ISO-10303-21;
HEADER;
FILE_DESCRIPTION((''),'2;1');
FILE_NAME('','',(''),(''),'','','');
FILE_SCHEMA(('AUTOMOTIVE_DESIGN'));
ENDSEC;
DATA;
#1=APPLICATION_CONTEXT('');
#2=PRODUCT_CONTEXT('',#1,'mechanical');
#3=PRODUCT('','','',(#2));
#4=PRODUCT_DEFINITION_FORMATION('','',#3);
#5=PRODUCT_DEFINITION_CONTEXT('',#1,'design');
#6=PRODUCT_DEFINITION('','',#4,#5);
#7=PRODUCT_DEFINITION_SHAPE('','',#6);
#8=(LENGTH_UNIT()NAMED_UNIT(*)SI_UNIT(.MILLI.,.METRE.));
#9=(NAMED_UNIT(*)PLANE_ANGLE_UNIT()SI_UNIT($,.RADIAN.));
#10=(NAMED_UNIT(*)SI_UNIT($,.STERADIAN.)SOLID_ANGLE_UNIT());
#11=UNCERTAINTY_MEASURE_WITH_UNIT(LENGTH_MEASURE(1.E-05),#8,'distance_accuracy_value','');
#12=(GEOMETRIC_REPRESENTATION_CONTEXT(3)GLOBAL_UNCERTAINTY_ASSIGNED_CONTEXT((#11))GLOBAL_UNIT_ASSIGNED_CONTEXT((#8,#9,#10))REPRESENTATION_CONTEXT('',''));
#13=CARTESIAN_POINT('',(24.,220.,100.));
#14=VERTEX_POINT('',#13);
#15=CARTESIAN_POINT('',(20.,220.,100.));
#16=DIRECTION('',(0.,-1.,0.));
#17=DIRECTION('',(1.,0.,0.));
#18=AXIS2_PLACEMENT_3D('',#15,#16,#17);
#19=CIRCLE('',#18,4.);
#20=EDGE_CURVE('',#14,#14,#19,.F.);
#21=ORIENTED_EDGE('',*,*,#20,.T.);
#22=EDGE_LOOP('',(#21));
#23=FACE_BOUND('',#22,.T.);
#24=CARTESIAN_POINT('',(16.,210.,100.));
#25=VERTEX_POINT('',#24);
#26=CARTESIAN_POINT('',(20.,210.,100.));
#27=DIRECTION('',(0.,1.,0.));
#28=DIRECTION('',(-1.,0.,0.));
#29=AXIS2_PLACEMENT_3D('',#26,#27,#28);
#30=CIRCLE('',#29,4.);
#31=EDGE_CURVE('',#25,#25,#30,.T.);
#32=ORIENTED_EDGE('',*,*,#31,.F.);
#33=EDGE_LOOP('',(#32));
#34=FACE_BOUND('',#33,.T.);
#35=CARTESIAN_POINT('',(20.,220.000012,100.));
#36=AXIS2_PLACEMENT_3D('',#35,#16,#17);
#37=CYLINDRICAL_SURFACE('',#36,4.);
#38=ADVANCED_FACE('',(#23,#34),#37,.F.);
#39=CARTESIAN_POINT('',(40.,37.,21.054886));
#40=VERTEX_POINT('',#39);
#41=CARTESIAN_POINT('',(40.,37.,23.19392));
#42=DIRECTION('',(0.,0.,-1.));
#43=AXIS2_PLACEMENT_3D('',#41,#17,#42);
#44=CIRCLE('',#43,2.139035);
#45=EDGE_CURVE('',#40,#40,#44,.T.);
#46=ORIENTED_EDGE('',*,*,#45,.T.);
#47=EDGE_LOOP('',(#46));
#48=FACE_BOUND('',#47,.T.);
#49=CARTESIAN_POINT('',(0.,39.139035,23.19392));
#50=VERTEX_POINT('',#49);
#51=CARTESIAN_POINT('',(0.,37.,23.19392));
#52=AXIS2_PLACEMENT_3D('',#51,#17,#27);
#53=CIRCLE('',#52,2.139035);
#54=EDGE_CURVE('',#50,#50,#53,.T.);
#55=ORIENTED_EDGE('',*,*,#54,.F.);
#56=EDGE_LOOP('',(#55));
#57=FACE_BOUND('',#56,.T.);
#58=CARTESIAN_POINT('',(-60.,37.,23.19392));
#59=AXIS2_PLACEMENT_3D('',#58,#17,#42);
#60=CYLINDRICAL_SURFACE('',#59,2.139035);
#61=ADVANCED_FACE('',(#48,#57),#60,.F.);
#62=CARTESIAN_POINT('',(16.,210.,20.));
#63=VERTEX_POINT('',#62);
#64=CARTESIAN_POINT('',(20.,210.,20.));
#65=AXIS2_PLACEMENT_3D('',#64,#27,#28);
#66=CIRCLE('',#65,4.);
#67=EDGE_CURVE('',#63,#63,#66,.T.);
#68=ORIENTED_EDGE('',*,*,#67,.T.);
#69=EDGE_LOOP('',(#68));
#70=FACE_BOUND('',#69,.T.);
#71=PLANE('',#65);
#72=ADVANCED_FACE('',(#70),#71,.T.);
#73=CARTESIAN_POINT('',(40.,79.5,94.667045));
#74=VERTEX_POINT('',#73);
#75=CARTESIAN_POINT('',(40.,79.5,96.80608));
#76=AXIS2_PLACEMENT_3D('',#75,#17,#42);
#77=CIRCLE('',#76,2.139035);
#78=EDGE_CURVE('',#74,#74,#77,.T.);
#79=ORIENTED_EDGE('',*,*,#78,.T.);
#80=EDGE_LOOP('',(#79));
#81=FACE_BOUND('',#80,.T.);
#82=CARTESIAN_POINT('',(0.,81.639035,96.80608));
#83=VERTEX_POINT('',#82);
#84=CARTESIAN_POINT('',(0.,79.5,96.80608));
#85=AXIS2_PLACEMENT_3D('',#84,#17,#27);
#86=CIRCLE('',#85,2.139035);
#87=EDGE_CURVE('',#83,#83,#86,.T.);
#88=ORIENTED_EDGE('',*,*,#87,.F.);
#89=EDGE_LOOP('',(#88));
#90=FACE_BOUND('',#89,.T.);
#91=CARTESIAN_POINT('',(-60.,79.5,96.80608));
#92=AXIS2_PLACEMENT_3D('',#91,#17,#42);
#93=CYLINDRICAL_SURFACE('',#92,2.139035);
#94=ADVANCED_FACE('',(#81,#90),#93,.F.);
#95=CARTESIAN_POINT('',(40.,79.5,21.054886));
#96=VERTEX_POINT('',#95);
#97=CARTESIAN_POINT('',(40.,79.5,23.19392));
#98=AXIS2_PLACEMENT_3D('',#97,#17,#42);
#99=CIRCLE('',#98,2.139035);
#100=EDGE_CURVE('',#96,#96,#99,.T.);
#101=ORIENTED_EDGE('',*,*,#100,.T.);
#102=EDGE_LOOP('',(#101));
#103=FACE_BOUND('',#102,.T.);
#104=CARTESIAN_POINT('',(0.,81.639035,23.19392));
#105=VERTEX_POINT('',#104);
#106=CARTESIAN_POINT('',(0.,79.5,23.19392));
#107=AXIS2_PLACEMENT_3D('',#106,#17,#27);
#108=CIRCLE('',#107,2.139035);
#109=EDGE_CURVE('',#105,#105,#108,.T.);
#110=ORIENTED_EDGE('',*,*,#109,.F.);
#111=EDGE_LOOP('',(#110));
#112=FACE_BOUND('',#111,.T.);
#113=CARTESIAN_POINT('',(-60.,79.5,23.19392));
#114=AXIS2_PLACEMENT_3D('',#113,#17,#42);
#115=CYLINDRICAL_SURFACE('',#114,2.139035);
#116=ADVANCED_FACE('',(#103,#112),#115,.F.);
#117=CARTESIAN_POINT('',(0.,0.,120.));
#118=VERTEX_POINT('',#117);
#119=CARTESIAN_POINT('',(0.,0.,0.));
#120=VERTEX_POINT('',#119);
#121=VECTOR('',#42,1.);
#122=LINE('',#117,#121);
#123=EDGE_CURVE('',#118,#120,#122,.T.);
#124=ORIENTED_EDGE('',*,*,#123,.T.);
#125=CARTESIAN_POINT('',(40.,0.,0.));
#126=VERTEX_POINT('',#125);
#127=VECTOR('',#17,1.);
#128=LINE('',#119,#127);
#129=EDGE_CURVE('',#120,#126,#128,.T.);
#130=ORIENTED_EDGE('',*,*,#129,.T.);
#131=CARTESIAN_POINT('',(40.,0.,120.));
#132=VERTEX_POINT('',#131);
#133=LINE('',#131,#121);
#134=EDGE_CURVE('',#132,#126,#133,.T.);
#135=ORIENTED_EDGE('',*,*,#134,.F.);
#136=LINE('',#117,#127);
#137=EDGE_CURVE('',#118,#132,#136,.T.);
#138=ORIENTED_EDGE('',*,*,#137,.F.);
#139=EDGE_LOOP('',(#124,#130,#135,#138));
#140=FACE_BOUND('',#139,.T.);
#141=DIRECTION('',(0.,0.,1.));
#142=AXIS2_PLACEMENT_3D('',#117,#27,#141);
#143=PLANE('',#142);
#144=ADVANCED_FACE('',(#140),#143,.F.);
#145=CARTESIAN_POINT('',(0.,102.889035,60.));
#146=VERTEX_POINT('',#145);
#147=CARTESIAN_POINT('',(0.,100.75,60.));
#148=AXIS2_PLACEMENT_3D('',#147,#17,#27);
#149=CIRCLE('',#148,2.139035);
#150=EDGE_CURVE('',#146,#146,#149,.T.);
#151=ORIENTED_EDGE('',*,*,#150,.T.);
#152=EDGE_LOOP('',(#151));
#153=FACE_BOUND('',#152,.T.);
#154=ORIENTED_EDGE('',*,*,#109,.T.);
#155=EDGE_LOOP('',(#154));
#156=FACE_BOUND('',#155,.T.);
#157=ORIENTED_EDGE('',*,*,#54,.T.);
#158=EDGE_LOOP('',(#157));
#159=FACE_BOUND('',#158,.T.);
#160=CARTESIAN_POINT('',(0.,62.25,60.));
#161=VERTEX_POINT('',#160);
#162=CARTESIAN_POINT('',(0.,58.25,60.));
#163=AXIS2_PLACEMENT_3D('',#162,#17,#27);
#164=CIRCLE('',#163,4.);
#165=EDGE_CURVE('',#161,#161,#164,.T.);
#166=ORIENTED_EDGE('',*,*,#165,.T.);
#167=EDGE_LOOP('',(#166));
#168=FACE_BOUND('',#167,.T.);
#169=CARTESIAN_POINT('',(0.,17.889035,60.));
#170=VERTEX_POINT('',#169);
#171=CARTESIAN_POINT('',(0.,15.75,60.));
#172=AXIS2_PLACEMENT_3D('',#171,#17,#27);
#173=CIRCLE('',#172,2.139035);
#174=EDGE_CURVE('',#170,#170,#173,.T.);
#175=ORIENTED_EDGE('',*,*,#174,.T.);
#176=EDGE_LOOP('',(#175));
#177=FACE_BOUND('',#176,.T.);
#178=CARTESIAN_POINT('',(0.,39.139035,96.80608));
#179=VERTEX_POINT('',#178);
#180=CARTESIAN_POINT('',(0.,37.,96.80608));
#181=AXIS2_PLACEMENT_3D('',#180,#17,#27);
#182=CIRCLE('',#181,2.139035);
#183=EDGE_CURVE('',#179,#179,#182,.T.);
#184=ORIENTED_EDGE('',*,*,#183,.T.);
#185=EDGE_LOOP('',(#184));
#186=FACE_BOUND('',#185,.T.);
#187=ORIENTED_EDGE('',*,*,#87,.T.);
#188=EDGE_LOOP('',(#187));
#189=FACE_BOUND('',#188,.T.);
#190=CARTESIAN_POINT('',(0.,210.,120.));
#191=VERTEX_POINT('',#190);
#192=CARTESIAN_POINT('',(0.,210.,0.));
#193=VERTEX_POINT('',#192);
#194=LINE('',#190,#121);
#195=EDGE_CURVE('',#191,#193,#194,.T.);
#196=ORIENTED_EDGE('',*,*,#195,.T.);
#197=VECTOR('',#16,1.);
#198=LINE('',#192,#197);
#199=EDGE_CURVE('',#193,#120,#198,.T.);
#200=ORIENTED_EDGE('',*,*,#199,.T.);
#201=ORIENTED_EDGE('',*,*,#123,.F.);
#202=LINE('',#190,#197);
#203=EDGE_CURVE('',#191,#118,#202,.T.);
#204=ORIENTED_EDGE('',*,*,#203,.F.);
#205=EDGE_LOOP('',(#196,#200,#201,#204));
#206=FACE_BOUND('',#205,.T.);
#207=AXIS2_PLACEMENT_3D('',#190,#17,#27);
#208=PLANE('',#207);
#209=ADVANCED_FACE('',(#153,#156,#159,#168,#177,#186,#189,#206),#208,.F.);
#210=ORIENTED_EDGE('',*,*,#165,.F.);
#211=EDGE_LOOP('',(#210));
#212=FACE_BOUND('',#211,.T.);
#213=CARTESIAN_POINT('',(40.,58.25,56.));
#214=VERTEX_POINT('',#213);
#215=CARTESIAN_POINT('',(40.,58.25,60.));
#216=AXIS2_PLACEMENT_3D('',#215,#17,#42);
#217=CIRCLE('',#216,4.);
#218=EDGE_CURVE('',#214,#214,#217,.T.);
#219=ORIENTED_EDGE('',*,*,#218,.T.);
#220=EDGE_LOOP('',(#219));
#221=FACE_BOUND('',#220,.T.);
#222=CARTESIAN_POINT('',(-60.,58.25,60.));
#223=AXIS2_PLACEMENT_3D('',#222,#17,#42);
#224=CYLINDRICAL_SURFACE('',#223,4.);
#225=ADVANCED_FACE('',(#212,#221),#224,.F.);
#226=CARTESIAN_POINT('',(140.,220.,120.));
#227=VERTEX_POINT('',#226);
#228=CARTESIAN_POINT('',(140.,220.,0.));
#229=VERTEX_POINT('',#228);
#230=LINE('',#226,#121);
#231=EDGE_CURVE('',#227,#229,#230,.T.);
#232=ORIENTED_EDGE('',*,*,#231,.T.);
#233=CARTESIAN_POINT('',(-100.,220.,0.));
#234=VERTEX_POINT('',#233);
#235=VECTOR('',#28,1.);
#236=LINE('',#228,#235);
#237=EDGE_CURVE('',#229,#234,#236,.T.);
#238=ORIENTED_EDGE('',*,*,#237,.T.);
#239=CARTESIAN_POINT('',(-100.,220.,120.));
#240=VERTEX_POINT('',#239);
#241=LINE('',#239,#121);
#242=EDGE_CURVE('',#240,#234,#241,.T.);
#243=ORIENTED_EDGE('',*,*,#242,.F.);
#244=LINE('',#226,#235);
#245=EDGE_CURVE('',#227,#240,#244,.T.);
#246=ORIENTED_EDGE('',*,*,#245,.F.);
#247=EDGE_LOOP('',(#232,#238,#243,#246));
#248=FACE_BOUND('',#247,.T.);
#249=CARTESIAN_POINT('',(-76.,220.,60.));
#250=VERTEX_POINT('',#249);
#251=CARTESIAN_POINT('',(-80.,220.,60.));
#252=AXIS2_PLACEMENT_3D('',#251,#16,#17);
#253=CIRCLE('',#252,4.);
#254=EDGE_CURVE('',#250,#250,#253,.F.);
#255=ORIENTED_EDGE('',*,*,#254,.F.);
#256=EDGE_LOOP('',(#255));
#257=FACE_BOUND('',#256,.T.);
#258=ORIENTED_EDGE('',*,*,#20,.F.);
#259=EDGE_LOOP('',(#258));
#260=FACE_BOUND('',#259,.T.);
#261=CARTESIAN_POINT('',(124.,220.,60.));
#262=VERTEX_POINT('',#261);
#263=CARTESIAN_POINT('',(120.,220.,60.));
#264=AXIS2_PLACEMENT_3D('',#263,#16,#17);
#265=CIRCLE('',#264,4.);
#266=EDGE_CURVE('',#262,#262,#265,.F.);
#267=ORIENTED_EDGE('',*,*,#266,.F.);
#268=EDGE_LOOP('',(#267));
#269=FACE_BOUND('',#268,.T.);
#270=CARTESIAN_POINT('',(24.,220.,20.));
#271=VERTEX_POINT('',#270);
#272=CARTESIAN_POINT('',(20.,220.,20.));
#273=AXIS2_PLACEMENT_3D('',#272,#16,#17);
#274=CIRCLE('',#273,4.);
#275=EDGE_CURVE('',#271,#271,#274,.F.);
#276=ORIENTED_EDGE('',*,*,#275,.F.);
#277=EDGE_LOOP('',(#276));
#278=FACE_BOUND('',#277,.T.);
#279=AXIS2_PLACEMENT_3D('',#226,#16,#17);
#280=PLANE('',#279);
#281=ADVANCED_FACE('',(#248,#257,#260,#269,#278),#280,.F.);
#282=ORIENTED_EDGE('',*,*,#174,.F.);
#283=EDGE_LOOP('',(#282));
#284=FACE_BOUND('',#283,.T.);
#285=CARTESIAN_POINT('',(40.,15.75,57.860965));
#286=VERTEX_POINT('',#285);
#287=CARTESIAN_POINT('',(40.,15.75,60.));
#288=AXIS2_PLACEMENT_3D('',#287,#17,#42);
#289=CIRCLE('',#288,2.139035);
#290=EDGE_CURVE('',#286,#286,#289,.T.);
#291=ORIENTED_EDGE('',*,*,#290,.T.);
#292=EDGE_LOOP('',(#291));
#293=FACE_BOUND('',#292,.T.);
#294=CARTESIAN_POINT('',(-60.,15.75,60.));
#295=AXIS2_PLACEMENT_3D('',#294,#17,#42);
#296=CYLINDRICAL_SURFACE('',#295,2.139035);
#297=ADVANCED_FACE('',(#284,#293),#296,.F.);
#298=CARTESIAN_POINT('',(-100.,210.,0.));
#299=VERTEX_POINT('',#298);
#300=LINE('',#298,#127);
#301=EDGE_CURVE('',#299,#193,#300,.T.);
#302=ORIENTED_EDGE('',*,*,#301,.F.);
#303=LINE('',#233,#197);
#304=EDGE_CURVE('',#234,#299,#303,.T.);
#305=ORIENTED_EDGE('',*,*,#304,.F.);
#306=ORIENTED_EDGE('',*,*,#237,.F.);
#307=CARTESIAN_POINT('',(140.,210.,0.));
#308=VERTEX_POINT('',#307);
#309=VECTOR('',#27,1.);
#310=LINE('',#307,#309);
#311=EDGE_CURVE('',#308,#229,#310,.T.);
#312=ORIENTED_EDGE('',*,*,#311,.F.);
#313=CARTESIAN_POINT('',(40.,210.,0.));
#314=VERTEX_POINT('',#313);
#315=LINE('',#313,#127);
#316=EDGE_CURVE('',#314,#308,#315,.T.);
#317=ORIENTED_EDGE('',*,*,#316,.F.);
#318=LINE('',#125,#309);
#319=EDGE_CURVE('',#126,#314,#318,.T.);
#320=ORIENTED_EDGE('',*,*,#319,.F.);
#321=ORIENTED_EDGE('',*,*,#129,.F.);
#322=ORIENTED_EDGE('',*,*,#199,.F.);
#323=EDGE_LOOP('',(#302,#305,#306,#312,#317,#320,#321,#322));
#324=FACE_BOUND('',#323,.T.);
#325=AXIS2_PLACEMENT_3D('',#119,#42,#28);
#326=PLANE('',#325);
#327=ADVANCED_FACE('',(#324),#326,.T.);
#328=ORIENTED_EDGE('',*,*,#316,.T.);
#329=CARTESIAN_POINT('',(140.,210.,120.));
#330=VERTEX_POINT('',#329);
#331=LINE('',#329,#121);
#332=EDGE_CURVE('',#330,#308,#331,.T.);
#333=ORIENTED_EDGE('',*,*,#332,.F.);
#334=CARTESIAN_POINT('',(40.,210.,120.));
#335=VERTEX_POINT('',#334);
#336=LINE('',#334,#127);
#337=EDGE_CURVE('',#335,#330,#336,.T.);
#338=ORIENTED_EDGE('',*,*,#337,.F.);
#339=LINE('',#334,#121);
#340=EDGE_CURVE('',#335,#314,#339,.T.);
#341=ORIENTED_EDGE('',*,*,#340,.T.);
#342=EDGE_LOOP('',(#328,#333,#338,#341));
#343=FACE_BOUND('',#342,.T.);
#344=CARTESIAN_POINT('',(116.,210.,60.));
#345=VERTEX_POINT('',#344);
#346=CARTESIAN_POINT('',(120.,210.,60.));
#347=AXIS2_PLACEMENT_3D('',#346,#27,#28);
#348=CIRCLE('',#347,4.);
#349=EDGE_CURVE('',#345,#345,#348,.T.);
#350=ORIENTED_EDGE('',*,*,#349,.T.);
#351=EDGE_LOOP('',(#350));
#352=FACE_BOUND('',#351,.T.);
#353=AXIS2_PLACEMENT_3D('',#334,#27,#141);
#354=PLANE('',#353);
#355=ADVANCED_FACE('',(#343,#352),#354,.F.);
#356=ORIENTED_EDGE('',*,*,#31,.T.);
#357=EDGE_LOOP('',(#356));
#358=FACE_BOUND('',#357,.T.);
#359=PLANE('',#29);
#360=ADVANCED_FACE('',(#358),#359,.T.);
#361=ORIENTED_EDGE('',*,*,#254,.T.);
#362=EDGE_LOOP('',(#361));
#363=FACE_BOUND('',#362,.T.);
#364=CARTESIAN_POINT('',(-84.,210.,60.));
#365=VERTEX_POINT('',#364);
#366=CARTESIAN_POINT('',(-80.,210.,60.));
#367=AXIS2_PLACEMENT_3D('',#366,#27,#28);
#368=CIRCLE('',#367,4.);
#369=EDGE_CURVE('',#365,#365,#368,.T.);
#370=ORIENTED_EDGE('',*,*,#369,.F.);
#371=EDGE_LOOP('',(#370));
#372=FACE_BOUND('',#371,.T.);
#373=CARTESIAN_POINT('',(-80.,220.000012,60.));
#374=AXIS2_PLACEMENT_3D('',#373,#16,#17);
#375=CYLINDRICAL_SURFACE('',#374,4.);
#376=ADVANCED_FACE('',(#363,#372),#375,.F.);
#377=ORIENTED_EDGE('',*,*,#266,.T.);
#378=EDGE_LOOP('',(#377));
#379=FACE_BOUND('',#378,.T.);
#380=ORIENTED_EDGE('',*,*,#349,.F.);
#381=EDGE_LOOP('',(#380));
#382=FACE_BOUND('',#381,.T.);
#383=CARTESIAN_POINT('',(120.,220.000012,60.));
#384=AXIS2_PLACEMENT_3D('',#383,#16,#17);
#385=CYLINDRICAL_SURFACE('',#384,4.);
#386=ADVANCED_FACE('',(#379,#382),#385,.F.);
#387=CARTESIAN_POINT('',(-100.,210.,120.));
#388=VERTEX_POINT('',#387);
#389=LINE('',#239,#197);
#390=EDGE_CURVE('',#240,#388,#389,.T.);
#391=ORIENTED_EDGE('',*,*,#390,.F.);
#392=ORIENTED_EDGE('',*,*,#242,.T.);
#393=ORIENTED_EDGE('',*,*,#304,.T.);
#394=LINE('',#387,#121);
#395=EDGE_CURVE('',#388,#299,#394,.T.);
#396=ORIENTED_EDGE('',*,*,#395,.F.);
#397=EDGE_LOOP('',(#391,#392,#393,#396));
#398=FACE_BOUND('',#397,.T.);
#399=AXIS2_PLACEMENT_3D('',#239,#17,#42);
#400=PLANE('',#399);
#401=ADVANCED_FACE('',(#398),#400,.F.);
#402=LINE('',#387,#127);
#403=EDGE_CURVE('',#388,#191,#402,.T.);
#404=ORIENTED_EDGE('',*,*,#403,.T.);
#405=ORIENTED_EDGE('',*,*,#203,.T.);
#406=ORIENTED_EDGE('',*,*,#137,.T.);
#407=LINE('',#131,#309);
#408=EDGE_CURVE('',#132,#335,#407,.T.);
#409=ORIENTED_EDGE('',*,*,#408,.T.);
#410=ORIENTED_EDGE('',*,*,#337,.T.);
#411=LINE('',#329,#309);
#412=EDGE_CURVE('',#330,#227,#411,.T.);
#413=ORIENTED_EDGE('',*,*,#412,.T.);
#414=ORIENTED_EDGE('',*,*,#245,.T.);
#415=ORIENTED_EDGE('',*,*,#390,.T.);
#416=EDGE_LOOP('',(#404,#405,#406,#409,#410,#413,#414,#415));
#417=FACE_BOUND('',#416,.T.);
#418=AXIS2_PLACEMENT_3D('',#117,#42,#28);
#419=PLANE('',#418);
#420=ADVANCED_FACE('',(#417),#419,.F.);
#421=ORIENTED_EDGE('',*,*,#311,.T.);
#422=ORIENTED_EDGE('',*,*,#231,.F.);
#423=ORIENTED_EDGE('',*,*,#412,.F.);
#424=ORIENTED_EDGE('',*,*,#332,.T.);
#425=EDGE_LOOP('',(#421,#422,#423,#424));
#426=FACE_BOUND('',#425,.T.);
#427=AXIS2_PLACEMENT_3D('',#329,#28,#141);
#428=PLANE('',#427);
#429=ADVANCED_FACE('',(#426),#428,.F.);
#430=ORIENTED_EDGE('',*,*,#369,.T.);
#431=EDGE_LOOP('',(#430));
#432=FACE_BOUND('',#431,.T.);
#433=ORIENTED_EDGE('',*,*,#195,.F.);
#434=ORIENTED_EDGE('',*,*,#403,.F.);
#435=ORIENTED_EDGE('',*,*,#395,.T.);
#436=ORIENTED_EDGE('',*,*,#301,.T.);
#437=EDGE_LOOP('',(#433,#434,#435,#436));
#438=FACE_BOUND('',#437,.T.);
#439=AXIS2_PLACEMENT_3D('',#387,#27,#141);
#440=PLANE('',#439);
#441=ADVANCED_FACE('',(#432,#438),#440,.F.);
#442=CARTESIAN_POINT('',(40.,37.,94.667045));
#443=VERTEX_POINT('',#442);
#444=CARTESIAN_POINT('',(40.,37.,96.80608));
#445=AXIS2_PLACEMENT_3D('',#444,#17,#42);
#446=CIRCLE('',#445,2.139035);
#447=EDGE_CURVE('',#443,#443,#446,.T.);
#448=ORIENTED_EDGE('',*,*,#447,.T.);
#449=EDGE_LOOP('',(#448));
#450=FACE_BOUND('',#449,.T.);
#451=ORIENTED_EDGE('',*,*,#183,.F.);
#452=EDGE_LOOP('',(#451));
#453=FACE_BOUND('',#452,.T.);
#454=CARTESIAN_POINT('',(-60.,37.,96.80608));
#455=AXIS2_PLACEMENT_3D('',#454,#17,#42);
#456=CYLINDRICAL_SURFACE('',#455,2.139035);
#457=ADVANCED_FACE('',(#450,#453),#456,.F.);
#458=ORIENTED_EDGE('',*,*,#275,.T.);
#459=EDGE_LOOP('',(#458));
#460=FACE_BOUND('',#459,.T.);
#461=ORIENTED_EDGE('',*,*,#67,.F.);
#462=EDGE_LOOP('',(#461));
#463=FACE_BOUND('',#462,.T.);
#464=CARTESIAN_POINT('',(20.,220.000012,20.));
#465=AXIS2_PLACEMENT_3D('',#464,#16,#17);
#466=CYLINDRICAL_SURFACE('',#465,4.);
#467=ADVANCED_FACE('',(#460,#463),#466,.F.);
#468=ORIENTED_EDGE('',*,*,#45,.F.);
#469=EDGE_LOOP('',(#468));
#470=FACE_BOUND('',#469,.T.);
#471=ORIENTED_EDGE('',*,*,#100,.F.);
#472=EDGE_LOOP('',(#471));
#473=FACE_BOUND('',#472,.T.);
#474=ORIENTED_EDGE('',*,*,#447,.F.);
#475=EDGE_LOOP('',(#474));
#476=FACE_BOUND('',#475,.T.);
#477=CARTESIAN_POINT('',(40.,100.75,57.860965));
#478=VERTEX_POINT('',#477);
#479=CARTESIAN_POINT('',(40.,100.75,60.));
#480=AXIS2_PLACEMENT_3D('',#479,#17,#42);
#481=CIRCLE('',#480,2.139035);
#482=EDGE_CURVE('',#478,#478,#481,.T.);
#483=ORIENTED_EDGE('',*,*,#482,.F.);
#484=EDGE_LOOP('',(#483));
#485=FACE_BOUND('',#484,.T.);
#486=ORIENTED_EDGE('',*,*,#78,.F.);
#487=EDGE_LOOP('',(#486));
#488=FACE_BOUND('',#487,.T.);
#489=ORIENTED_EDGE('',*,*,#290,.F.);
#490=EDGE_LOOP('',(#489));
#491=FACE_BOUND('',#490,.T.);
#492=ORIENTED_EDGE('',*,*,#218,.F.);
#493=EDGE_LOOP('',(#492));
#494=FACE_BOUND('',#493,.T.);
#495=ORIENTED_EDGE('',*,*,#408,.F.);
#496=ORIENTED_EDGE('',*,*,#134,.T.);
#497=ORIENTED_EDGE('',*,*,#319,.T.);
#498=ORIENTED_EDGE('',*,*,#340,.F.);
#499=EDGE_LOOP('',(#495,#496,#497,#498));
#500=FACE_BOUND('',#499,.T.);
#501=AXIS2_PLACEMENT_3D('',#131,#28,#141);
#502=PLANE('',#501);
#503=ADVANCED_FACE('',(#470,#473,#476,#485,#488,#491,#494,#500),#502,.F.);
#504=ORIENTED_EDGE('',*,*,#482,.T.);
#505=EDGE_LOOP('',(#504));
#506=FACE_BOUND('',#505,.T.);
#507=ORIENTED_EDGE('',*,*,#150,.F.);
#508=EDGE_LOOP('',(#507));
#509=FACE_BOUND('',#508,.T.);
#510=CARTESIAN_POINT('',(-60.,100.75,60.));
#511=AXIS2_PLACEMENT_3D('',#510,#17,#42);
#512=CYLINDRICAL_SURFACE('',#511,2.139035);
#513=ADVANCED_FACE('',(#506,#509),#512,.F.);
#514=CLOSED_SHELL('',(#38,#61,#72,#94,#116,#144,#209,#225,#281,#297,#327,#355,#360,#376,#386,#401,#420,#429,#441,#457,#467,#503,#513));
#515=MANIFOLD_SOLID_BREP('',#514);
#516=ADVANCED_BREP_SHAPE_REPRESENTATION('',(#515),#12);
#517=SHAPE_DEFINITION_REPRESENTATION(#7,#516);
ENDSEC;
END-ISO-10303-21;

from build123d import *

# Parameters (mm, degrees)
EXTRUDE_1_DEPTH          = 120
SKETCH_2_R               = 4
SKETCH_2_R_2             = 2.139034835
CUT_EXTRUDE_1_DEPTH      = 100
SKETCH_3_R               = 4
CUT_EXTRUDE_2_DEPTH      = 1
CUT_EXTRUDE_2_DEPTH_BACK = 10


with BuildPart() as part:
    # 草图1 → 凸台-拉伸1 (new body)
    with BuildSketch(Plane.XY):
        Polygon((0, 0), (40, 0), (40, 210), (140, 210), (140, 220), (-100, 220), (-100, 210), (0, 210), align=None)
    extrude(amount=EXTRUDE_1_DEPTH)

    # 草图2 → 切除-拉伸1 (cut)
    with BuildSketch(Plane(origin=(40, 0, 0), x_dir=(0, 0, -1), z_dir=(1, 0, 0))):
        with Locations((-60, 58.25)):
            Circle(SKETCH_2_R)
        with Locations((-60, 100.75)):
            Circle(SKETCH_2_R_2)
        with Locations((-23.193920339, 79.5)):
            Circle(SKETCH_2_R_2)
        with Locations((-23.193920339, 37)):
            Circle(SKETCH_2_R_2)
        with Locations((-60, 15.75)):
            Circle(SKETCH_2_R_2)
        with Locations((-96.806079661, 37)):
            Circle(SKETCH_2_R_2)
        with Locations((-96.806079661, 79.5)):
            Circle(SKETCH_2_R_2)
    extrude(amount=-CUT_EXTRUDE_1_DEPTH, mode=Mode.SUBTRACT)

    # 草图3 → 切除-拉伸2 (cut, two sides)
    with BuildSketch(Plane(origin=(0, 220, 0), x_dir=(1, 0, 0), z_dir=(0, 1, 0))) as cut_extrude_2_sk:
        with Locations((-80, -60)):
            Circle(SKETCH_3_R)
        with Locations((20, -20)):
            Circle(SKETCH_3_R)
        with Locations((120, -60)):
            Circle(SKETCH_3_R)
        with Locations((20, -100)):
            Circle(SKETCH_3_R)
    extrude(amount=CUT_EXTRUDE_2_DEPTH, mode=Mode.SUBTRACT)
    extrude(cut_extrude_2_sk.sketch, amount=-CUT_EXTRUDE_2_DEPTH_BACK, mode=Mode.SUBTRACT)


solid = part.part
